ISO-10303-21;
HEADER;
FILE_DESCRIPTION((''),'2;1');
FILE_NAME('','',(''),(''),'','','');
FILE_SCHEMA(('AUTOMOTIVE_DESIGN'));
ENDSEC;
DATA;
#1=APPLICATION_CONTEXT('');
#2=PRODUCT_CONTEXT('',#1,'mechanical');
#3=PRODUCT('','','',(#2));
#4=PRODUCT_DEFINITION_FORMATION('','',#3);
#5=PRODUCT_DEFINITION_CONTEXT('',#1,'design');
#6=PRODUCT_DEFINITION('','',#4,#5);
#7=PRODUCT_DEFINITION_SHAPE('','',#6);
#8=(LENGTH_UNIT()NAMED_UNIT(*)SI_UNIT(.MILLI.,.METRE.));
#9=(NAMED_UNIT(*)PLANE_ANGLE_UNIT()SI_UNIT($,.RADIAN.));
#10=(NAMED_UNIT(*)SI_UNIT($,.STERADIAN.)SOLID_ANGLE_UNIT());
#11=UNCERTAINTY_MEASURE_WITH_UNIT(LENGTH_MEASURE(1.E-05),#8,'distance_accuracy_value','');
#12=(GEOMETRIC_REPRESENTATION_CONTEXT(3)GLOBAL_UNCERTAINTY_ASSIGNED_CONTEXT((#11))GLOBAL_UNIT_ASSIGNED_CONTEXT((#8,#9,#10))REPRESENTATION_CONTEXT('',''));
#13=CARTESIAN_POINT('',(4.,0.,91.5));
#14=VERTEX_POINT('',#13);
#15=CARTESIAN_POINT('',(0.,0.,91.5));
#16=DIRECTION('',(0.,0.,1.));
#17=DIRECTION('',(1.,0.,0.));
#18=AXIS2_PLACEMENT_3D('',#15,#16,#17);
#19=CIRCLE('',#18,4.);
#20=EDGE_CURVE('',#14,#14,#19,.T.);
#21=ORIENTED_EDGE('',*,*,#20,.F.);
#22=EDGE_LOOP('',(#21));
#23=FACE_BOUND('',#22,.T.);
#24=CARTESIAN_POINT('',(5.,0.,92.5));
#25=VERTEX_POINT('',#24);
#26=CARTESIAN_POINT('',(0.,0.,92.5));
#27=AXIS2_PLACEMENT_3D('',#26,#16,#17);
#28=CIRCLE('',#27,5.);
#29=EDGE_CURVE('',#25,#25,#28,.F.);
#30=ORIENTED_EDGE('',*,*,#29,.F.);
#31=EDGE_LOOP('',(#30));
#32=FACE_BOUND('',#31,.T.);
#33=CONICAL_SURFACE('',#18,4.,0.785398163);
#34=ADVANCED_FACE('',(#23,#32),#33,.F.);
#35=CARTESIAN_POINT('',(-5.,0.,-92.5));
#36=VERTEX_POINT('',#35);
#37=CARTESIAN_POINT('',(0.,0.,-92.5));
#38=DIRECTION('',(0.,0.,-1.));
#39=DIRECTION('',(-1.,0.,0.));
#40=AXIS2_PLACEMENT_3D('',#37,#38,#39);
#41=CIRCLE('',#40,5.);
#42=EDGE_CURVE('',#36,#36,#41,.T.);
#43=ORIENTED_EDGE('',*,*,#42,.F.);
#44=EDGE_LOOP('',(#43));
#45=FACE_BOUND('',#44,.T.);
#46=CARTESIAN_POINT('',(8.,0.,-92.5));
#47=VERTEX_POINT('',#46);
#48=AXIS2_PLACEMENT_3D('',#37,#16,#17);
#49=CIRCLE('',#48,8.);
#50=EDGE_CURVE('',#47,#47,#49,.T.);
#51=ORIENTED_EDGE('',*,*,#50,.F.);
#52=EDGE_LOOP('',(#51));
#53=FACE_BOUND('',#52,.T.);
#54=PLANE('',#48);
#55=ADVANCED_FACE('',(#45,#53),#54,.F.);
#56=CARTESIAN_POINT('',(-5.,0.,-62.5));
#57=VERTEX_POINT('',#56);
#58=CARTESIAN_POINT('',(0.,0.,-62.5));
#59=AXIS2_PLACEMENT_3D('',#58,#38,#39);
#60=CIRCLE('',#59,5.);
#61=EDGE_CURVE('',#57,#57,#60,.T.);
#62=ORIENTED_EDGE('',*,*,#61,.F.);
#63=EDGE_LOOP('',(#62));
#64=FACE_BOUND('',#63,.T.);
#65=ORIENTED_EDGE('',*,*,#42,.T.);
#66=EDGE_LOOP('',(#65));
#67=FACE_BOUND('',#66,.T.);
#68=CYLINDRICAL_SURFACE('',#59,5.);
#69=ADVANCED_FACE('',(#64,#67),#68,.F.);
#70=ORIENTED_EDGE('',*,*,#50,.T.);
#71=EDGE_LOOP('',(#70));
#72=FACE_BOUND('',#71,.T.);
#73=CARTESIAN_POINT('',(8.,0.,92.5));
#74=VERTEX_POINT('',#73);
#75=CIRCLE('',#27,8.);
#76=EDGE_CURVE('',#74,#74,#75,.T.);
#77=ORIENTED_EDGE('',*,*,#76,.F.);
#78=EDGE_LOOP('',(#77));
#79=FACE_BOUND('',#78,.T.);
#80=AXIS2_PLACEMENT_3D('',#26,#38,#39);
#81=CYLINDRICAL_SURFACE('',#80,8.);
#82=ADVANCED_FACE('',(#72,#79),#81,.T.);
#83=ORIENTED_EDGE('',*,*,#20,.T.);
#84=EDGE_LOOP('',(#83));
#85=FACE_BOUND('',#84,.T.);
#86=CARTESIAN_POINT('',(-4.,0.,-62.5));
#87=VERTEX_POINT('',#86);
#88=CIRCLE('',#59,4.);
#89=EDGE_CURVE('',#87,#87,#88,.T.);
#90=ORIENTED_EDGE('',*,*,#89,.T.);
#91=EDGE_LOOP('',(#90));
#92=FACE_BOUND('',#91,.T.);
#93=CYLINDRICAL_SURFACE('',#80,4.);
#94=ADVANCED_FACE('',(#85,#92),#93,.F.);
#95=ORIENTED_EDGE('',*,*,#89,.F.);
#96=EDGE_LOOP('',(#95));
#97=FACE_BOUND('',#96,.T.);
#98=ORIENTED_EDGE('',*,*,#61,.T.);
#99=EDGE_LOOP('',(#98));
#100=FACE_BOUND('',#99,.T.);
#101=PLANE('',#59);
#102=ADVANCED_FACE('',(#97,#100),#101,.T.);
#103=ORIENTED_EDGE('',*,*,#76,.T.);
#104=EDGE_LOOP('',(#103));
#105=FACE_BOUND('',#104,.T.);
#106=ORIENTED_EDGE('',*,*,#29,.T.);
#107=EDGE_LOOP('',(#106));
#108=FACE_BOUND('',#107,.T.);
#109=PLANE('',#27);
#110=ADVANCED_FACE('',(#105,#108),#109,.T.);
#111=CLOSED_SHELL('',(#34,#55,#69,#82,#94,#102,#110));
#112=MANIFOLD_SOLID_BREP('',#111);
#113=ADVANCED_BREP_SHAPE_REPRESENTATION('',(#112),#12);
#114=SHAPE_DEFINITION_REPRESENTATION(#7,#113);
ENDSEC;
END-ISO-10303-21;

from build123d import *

# Parameters (mm, degrees)
SZKIC1_R                    = 8
SZKIC1_R_2                  = 4
DODANIE_WYCI_GNI_CIE1_DEPTH = 92.5
SZKIC2_R                    = 5
WYTNIJ_WYCI_GNI_CIE1_DEPTH  = 30
SFAZOWANIE1_SIZE            = 1


with BuildPart() as part:
    # Szkic1 → Dodanie-wyciągnięcie1 (new, symmetric)
    with BuildSketch(Plane.XY):
        Circle(SZKIC1_R)
        Circle(SZKIC1_R_2, mode=Mode.SUBTRACT)
    extrude(amount=DODANIE_WYCI_GNI_CIE1_DEPTH, both=True)

    # Szkic2 → Wytnij-wyciągnięcie1 (cut)
    with BuildSketch(Plane(origin=(0, 0, -92.5), x_dir=(-1, 0, 0), z_dir=(0, 0, -1))):
        Circle(SZKIC2_R)
    extrude(amount=-WYTNIJ_WYCI_GNI_CIE1_DEPTH, mode=Mode.SUBTRACT)

    # Sfazowanie1
    sfazowanie1_edges = [part.edges().sort_by_distance(p)[0] for p in [
        (-4, 0, 92.5),
    ]]
    chamfer(sfazowanie1_edges, length=SFAZOWANIE1_SIZE)


solid = part.part
